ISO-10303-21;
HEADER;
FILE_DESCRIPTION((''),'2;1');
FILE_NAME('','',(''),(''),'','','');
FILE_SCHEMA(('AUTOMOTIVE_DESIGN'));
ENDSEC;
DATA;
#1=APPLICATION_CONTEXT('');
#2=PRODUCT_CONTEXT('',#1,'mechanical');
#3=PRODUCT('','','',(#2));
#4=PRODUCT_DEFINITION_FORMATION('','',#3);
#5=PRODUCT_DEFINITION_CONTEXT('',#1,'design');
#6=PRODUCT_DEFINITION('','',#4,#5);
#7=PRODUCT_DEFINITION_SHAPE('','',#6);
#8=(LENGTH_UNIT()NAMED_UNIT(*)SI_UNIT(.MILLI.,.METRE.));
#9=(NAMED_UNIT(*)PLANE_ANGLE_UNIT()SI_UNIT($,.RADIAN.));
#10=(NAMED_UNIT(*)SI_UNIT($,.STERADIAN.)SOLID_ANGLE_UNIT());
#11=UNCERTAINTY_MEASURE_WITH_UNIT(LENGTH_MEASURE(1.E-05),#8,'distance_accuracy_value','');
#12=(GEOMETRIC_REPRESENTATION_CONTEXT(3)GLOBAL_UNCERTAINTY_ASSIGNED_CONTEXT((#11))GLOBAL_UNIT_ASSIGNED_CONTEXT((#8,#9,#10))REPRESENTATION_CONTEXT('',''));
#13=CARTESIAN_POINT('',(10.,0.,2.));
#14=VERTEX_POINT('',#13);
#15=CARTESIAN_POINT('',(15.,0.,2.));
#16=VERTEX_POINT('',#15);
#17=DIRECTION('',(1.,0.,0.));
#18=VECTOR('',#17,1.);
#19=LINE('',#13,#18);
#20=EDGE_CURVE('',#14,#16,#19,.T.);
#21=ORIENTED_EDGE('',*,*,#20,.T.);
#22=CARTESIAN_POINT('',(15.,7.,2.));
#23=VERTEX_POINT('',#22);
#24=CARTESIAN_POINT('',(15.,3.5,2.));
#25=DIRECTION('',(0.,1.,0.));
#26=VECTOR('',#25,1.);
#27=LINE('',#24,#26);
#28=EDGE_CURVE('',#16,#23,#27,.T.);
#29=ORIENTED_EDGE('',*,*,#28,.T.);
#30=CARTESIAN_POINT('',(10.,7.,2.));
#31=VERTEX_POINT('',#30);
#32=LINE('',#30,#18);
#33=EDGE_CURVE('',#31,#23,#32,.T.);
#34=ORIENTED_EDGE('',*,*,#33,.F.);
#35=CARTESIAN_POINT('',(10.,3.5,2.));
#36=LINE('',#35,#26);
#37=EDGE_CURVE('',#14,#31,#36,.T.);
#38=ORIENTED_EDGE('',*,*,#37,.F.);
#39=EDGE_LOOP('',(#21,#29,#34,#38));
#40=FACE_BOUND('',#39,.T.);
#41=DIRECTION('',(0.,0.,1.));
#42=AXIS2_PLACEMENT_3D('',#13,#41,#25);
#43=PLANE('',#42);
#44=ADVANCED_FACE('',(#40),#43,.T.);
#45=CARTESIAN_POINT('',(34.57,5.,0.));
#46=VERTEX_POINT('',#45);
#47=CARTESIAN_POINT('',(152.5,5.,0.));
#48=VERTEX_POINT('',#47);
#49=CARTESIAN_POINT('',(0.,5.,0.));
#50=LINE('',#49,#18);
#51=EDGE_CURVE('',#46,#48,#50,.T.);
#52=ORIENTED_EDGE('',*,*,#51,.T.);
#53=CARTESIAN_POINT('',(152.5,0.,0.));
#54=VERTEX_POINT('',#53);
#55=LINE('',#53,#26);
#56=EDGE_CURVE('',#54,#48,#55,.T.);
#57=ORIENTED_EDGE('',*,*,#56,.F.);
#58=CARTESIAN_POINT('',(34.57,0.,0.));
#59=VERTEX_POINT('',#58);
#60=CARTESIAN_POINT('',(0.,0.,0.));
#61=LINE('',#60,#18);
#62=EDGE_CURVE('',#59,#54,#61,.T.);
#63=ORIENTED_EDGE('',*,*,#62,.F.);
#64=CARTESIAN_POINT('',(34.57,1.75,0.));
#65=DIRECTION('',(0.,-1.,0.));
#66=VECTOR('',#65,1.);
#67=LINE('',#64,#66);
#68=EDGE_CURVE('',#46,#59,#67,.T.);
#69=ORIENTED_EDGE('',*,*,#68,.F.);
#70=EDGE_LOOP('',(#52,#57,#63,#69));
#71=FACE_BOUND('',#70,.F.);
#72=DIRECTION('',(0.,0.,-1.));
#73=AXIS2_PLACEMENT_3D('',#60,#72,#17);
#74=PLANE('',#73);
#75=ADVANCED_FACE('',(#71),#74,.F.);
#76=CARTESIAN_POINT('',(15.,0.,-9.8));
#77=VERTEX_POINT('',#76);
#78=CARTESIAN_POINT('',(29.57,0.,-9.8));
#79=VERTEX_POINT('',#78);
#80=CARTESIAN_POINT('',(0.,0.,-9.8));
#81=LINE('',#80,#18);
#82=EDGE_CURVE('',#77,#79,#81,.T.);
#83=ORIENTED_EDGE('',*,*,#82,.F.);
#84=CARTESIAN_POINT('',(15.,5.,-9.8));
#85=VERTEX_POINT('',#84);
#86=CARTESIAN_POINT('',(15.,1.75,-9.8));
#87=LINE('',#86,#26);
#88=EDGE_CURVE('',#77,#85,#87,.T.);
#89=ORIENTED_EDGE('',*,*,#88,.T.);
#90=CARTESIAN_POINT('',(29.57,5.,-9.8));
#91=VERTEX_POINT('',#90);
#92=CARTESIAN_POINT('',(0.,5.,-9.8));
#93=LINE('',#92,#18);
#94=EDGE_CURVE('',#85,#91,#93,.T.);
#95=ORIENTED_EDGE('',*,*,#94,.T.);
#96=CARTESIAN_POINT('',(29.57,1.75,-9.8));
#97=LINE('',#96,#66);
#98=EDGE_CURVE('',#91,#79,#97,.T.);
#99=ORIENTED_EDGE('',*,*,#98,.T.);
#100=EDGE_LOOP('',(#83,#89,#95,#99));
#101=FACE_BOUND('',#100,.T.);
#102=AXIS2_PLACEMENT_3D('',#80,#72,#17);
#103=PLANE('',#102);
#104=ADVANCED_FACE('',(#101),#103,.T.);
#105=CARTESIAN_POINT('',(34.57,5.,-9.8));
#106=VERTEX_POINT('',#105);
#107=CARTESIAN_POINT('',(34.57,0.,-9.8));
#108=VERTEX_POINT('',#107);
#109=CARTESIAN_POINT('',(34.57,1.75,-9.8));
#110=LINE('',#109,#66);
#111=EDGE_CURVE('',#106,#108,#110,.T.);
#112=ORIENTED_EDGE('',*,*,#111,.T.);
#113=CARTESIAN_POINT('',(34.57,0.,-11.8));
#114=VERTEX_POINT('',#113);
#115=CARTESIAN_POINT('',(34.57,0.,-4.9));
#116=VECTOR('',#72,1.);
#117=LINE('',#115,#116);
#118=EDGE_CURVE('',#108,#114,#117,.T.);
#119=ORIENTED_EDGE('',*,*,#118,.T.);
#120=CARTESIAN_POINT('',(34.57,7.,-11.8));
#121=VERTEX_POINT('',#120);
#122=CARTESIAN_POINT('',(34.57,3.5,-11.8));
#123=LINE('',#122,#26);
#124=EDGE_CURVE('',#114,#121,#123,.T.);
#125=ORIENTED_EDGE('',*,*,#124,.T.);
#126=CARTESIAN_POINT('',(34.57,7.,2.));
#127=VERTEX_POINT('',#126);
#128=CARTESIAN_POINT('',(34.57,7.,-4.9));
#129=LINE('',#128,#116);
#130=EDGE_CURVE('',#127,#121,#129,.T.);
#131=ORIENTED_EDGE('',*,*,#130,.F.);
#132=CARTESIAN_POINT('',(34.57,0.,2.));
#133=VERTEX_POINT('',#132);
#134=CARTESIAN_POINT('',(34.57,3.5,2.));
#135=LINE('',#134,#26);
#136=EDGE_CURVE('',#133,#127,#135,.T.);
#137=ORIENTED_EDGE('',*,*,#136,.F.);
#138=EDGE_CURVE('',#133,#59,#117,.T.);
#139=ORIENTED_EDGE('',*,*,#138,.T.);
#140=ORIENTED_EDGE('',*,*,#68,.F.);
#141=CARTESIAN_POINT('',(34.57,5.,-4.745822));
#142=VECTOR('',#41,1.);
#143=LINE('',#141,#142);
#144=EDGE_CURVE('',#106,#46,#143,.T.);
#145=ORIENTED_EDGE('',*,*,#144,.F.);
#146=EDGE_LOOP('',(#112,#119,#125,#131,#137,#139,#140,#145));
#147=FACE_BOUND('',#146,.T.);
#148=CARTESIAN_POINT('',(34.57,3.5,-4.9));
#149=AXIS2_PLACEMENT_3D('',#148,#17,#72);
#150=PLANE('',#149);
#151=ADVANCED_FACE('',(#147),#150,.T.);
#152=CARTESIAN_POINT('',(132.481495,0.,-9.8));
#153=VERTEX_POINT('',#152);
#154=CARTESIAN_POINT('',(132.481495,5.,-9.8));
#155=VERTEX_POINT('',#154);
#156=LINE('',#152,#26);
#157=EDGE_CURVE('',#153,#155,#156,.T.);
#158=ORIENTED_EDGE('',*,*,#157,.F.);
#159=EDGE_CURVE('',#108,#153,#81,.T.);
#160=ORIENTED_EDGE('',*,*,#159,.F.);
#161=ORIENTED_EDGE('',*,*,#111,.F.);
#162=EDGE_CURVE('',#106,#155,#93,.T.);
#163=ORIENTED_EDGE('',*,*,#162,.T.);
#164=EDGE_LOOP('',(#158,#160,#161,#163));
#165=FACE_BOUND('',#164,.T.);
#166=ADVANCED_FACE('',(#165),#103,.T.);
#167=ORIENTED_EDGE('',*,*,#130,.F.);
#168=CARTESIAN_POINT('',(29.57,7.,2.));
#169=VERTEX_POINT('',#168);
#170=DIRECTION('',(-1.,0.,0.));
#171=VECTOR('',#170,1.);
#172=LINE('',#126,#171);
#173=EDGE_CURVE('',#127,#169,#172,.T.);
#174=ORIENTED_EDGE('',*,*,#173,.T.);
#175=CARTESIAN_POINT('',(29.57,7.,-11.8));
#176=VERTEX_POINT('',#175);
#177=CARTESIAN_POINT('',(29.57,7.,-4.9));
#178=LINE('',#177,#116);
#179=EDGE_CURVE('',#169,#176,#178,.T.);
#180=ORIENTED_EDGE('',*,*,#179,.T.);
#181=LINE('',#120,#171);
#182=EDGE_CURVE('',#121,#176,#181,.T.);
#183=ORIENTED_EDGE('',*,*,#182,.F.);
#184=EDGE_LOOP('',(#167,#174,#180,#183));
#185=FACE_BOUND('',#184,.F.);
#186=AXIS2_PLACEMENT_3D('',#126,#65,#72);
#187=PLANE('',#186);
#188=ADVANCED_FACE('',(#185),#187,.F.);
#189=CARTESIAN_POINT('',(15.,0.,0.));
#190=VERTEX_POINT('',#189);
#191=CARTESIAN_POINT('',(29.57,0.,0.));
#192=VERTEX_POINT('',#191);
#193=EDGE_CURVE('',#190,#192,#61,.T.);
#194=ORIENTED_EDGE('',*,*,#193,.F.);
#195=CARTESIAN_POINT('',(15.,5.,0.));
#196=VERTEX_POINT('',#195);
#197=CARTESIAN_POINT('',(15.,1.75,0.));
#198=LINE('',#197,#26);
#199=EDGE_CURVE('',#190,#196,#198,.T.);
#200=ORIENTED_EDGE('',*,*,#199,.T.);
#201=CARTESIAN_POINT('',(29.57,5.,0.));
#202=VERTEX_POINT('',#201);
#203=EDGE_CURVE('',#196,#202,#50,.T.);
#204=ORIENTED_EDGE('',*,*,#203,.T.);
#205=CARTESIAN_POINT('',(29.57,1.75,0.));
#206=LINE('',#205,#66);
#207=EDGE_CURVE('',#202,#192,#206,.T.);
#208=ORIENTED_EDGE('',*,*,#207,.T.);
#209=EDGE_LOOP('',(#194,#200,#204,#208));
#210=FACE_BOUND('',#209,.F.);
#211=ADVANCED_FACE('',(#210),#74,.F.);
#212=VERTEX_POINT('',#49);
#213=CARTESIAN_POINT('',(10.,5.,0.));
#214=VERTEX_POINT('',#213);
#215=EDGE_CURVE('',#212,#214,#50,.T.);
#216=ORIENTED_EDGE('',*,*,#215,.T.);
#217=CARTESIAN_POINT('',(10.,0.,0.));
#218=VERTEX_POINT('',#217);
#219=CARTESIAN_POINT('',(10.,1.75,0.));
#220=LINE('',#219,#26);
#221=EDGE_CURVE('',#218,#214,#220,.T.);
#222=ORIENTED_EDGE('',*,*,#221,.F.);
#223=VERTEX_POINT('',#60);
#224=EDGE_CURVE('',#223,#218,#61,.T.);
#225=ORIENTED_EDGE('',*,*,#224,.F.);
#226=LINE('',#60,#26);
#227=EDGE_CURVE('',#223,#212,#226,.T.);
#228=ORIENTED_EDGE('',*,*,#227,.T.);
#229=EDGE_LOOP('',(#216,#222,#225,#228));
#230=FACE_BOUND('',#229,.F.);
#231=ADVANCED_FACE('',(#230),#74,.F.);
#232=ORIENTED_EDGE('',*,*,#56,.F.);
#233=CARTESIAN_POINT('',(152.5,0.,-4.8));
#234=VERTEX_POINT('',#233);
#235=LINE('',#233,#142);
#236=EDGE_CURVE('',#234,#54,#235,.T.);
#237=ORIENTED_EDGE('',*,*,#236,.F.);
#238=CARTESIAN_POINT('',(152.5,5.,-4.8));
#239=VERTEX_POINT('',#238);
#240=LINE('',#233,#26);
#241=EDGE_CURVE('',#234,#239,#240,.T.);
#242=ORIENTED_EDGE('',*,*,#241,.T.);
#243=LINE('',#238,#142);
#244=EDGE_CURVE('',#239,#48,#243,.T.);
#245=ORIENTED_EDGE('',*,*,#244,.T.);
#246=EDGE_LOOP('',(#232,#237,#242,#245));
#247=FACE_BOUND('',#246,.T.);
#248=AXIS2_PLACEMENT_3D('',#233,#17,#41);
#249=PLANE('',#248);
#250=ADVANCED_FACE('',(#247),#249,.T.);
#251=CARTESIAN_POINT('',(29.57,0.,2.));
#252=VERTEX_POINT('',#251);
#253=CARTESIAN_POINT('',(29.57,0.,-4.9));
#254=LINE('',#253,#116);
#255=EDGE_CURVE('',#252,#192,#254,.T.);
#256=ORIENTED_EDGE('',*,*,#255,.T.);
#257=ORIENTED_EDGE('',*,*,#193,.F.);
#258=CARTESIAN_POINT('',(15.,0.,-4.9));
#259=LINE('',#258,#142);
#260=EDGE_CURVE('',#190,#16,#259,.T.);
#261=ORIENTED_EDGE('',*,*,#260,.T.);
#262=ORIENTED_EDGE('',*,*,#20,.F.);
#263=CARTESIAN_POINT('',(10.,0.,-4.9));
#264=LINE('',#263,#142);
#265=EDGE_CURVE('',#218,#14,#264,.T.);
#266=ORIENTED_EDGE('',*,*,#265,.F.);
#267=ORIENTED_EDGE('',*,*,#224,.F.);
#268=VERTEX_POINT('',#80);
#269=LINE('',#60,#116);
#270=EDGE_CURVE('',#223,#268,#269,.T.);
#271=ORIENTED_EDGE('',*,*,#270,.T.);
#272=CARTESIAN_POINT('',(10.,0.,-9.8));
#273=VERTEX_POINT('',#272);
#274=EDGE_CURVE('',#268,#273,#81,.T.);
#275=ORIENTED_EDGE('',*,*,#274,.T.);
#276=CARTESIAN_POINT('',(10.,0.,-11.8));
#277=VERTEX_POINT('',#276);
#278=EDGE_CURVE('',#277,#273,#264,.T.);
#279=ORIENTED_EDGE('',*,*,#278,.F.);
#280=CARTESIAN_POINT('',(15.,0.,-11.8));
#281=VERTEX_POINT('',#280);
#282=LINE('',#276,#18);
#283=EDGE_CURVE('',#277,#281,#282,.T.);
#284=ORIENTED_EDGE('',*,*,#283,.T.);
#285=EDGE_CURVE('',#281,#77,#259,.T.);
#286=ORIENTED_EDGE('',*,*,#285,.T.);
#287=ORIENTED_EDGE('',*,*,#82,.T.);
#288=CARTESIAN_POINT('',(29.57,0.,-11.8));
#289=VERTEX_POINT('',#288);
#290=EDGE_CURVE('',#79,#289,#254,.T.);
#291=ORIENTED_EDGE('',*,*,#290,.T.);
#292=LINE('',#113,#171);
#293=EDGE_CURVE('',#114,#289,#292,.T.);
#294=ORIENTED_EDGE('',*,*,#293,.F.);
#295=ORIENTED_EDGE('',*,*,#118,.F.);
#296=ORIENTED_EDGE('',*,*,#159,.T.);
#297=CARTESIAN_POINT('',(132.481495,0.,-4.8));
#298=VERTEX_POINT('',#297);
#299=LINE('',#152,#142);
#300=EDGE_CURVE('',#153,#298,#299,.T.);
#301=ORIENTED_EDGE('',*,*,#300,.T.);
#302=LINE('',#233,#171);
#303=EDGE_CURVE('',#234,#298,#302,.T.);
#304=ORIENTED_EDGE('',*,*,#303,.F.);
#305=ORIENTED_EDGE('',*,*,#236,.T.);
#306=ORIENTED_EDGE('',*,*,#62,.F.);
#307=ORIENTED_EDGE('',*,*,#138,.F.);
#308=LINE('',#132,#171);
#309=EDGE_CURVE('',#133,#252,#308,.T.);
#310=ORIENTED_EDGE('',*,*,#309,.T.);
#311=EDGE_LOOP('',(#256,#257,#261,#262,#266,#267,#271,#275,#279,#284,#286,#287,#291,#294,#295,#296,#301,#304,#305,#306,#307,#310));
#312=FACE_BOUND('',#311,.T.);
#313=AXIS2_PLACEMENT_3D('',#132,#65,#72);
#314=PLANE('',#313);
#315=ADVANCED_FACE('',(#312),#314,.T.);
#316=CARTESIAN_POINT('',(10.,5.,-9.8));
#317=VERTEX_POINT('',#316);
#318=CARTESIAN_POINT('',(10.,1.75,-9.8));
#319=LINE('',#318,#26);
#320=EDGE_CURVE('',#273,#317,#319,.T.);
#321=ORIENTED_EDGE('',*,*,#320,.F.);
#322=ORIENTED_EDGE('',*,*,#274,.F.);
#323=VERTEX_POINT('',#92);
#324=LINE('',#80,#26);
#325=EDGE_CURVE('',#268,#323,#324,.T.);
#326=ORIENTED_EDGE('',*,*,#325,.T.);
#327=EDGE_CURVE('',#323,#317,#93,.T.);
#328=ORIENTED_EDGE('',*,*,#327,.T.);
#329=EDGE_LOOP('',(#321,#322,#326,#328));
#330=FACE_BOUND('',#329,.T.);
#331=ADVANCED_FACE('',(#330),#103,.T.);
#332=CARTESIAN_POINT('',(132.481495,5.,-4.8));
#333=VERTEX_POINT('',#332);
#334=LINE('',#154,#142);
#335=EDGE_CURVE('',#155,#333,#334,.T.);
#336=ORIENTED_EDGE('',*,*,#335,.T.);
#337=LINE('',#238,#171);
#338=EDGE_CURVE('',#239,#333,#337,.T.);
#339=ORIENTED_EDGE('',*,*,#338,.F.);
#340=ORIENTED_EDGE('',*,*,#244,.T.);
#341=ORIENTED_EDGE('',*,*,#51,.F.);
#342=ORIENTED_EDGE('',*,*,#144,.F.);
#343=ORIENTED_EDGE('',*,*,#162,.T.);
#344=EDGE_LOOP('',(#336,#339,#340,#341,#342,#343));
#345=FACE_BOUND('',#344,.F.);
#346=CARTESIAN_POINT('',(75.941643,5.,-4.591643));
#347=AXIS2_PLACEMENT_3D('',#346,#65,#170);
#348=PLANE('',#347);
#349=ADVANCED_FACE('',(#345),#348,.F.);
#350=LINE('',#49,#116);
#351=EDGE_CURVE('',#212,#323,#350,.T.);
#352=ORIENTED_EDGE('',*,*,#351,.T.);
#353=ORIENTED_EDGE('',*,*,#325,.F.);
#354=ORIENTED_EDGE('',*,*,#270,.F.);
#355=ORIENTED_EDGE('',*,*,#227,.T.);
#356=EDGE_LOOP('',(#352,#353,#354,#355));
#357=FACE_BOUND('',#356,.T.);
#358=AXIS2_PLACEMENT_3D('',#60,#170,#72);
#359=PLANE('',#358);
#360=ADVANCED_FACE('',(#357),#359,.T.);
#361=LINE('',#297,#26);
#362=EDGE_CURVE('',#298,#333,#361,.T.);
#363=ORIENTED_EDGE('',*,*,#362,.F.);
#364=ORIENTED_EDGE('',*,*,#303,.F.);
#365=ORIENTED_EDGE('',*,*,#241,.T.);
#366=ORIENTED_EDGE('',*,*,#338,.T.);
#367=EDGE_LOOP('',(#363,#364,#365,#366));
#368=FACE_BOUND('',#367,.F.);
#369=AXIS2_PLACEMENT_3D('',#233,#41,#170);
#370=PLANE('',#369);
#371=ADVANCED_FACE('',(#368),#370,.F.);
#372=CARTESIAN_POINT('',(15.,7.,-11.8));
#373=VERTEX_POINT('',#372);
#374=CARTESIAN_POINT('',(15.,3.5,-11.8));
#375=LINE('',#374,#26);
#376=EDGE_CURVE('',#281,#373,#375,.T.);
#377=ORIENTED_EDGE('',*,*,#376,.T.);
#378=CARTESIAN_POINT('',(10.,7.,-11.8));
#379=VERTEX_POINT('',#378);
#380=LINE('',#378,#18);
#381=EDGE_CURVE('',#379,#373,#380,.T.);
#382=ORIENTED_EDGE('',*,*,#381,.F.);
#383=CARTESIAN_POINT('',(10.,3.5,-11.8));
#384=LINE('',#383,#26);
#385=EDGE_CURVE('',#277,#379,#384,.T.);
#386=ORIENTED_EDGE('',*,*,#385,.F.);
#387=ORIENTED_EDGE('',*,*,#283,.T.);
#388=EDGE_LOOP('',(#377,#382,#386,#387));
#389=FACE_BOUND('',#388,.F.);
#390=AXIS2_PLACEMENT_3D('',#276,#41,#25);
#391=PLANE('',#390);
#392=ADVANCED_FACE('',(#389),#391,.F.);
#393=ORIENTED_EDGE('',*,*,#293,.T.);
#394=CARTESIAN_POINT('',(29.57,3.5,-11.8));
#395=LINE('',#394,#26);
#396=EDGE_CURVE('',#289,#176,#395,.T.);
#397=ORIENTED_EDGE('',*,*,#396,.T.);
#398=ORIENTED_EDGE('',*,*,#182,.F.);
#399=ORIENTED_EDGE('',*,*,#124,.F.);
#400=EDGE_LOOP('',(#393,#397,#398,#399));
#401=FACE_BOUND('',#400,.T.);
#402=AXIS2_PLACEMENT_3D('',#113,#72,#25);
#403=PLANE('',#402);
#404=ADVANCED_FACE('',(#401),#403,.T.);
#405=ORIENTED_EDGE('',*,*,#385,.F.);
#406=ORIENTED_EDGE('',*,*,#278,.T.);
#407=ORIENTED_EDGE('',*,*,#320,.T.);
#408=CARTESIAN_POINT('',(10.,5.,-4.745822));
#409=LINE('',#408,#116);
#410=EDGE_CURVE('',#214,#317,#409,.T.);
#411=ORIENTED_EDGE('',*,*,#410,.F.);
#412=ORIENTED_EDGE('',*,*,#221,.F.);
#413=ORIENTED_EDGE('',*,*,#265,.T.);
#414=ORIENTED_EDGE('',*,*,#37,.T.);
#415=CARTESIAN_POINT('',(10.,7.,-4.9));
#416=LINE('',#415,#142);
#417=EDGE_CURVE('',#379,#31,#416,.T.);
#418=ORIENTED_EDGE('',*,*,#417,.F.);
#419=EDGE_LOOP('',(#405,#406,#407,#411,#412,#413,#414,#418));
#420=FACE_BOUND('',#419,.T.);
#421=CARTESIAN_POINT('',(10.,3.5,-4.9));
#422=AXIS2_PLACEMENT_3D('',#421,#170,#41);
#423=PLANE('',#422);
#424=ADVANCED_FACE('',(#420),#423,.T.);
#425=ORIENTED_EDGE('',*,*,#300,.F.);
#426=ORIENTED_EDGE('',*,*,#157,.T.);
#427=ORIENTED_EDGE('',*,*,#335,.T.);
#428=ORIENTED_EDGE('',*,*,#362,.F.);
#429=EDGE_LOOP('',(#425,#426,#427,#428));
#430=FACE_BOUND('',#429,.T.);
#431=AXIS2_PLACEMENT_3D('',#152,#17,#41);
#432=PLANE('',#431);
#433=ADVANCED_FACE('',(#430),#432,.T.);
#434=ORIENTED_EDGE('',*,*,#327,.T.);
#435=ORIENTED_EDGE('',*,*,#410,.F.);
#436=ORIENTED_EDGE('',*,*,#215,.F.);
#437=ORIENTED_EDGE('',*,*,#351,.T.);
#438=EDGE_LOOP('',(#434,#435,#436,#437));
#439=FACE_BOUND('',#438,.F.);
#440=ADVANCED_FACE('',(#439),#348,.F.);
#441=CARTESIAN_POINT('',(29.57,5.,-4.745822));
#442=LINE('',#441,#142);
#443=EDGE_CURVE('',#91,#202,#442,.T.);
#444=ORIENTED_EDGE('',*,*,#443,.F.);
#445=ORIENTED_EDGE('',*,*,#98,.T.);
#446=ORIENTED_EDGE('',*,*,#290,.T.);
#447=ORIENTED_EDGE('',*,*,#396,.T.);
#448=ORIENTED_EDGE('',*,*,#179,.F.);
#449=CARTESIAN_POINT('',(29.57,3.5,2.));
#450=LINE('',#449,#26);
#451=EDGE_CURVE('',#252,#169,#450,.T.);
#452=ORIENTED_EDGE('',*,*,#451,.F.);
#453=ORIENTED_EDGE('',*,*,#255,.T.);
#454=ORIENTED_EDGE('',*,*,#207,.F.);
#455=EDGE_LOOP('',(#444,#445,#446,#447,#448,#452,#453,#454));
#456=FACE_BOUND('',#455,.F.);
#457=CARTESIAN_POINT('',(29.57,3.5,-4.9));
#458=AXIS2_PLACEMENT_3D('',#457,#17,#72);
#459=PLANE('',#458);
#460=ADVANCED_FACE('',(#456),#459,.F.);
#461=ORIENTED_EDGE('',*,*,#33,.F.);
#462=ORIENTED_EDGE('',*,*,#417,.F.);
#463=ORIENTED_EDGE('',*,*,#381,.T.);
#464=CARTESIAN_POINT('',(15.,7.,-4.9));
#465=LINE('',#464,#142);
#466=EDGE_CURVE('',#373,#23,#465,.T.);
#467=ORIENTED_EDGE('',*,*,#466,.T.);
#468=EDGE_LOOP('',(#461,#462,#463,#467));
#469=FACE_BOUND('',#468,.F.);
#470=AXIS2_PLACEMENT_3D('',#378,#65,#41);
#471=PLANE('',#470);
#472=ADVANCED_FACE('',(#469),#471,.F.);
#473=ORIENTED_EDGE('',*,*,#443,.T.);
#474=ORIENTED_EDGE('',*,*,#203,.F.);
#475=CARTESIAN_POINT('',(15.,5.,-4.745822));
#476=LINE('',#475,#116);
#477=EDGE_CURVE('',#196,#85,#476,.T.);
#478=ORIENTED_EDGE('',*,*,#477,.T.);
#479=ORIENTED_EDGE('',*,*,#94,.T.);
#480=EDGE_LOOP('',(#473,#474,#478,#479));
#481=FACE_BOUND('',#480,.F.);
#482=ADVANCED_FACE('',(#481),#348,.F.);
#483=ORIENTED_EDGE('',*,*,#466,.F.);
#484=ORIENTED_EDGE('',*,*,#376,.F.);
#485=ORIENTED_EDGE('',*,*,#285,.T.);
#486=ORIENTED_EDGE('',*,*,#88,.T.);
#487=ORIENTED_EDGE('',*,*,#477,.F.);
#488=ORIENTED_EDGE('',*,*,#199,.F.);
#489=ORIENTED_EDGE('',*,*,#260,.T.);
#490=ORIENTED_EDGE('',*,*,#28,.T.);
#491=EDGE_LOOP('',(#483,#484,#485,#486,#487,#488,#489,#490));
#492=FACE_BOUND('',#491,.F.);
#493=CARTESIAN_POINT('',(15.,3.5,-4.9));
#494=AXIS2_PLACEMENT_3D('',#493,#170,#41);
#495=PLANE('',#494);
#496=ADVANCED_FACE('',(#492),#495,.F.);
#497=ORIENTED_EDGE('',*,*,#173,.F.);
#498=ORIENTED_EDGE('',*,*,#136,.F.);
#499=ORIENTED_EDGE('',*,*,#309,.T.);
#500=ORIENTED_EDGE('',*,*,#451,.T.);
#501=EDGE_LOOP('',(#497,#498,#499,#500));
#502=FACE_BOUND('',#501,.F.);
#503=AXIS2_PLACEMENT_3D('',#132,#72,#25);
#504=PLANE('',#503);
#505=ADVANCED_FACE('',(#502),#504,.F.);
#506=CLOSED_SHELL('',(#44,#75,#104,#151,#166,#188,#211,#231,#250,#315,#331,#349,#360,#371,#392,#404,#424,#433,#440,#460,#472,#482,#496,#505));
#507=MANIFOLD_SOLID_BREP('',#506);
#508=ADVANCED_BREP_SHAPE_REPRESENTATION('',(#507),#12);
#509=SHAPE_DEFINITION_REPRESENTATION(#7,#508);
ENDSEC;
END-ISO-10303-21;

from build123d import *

# Parameters (mm, degrees)
BOSS_EXTRUDE1_DEPTH = 5
SKETCH2_W           = 13.8
SKETCH2_H           = 7
BOSS_EXTRUDE2_DEPTH = 5
SKETCH3_W           = 13.8
SKETCH3_H           = 7
BOSS_EXTRUDE3_DEPTH = 5


with BuildPart() as part:
    # Sketch1 → Boss-Extrude1 (new body)
    with BuildSketch(Plane(origin=(0, 0, 0), x_dir=(1, 0, 0), z_dir=(0, 1, 0))):
        Polygon((132.481495242, 9.8), (132.481495242, 4.8), (142.481495242, 4.8), (152.5, 4.8), (152.5, 0), (142.5, 0), (0, 0), (0, 9.8), align=None)
    extrude(amount=BOSS_EXTRUDE1_DEPTH)

    # Sketch2 → Boss-Extrude2 (add)
    with BuildSketch(Plane.ZY.offset(-10)):
        with Locations((-4.9, 3.5)):
            Rectangle(SKETCH2_W, SKETCH2_H)
    extrude(amount=-BOSS_EXTRUDE2_DEPTH)

    # Sketch3 → Boss-Extrude3 (add)
    with BuildSketch(Plane(origin=(34.57, 0, 0), x_dir=(0, 0, -1), z_dir=(1, 0, 0))):
        with Locations((4.9, 3.5)):
            Rectangle(SKETCH3_W, SKETCH3_H)
    extrude(amount=-BOSS_EXTRUDE3_DEPTH)


solid = part.part
